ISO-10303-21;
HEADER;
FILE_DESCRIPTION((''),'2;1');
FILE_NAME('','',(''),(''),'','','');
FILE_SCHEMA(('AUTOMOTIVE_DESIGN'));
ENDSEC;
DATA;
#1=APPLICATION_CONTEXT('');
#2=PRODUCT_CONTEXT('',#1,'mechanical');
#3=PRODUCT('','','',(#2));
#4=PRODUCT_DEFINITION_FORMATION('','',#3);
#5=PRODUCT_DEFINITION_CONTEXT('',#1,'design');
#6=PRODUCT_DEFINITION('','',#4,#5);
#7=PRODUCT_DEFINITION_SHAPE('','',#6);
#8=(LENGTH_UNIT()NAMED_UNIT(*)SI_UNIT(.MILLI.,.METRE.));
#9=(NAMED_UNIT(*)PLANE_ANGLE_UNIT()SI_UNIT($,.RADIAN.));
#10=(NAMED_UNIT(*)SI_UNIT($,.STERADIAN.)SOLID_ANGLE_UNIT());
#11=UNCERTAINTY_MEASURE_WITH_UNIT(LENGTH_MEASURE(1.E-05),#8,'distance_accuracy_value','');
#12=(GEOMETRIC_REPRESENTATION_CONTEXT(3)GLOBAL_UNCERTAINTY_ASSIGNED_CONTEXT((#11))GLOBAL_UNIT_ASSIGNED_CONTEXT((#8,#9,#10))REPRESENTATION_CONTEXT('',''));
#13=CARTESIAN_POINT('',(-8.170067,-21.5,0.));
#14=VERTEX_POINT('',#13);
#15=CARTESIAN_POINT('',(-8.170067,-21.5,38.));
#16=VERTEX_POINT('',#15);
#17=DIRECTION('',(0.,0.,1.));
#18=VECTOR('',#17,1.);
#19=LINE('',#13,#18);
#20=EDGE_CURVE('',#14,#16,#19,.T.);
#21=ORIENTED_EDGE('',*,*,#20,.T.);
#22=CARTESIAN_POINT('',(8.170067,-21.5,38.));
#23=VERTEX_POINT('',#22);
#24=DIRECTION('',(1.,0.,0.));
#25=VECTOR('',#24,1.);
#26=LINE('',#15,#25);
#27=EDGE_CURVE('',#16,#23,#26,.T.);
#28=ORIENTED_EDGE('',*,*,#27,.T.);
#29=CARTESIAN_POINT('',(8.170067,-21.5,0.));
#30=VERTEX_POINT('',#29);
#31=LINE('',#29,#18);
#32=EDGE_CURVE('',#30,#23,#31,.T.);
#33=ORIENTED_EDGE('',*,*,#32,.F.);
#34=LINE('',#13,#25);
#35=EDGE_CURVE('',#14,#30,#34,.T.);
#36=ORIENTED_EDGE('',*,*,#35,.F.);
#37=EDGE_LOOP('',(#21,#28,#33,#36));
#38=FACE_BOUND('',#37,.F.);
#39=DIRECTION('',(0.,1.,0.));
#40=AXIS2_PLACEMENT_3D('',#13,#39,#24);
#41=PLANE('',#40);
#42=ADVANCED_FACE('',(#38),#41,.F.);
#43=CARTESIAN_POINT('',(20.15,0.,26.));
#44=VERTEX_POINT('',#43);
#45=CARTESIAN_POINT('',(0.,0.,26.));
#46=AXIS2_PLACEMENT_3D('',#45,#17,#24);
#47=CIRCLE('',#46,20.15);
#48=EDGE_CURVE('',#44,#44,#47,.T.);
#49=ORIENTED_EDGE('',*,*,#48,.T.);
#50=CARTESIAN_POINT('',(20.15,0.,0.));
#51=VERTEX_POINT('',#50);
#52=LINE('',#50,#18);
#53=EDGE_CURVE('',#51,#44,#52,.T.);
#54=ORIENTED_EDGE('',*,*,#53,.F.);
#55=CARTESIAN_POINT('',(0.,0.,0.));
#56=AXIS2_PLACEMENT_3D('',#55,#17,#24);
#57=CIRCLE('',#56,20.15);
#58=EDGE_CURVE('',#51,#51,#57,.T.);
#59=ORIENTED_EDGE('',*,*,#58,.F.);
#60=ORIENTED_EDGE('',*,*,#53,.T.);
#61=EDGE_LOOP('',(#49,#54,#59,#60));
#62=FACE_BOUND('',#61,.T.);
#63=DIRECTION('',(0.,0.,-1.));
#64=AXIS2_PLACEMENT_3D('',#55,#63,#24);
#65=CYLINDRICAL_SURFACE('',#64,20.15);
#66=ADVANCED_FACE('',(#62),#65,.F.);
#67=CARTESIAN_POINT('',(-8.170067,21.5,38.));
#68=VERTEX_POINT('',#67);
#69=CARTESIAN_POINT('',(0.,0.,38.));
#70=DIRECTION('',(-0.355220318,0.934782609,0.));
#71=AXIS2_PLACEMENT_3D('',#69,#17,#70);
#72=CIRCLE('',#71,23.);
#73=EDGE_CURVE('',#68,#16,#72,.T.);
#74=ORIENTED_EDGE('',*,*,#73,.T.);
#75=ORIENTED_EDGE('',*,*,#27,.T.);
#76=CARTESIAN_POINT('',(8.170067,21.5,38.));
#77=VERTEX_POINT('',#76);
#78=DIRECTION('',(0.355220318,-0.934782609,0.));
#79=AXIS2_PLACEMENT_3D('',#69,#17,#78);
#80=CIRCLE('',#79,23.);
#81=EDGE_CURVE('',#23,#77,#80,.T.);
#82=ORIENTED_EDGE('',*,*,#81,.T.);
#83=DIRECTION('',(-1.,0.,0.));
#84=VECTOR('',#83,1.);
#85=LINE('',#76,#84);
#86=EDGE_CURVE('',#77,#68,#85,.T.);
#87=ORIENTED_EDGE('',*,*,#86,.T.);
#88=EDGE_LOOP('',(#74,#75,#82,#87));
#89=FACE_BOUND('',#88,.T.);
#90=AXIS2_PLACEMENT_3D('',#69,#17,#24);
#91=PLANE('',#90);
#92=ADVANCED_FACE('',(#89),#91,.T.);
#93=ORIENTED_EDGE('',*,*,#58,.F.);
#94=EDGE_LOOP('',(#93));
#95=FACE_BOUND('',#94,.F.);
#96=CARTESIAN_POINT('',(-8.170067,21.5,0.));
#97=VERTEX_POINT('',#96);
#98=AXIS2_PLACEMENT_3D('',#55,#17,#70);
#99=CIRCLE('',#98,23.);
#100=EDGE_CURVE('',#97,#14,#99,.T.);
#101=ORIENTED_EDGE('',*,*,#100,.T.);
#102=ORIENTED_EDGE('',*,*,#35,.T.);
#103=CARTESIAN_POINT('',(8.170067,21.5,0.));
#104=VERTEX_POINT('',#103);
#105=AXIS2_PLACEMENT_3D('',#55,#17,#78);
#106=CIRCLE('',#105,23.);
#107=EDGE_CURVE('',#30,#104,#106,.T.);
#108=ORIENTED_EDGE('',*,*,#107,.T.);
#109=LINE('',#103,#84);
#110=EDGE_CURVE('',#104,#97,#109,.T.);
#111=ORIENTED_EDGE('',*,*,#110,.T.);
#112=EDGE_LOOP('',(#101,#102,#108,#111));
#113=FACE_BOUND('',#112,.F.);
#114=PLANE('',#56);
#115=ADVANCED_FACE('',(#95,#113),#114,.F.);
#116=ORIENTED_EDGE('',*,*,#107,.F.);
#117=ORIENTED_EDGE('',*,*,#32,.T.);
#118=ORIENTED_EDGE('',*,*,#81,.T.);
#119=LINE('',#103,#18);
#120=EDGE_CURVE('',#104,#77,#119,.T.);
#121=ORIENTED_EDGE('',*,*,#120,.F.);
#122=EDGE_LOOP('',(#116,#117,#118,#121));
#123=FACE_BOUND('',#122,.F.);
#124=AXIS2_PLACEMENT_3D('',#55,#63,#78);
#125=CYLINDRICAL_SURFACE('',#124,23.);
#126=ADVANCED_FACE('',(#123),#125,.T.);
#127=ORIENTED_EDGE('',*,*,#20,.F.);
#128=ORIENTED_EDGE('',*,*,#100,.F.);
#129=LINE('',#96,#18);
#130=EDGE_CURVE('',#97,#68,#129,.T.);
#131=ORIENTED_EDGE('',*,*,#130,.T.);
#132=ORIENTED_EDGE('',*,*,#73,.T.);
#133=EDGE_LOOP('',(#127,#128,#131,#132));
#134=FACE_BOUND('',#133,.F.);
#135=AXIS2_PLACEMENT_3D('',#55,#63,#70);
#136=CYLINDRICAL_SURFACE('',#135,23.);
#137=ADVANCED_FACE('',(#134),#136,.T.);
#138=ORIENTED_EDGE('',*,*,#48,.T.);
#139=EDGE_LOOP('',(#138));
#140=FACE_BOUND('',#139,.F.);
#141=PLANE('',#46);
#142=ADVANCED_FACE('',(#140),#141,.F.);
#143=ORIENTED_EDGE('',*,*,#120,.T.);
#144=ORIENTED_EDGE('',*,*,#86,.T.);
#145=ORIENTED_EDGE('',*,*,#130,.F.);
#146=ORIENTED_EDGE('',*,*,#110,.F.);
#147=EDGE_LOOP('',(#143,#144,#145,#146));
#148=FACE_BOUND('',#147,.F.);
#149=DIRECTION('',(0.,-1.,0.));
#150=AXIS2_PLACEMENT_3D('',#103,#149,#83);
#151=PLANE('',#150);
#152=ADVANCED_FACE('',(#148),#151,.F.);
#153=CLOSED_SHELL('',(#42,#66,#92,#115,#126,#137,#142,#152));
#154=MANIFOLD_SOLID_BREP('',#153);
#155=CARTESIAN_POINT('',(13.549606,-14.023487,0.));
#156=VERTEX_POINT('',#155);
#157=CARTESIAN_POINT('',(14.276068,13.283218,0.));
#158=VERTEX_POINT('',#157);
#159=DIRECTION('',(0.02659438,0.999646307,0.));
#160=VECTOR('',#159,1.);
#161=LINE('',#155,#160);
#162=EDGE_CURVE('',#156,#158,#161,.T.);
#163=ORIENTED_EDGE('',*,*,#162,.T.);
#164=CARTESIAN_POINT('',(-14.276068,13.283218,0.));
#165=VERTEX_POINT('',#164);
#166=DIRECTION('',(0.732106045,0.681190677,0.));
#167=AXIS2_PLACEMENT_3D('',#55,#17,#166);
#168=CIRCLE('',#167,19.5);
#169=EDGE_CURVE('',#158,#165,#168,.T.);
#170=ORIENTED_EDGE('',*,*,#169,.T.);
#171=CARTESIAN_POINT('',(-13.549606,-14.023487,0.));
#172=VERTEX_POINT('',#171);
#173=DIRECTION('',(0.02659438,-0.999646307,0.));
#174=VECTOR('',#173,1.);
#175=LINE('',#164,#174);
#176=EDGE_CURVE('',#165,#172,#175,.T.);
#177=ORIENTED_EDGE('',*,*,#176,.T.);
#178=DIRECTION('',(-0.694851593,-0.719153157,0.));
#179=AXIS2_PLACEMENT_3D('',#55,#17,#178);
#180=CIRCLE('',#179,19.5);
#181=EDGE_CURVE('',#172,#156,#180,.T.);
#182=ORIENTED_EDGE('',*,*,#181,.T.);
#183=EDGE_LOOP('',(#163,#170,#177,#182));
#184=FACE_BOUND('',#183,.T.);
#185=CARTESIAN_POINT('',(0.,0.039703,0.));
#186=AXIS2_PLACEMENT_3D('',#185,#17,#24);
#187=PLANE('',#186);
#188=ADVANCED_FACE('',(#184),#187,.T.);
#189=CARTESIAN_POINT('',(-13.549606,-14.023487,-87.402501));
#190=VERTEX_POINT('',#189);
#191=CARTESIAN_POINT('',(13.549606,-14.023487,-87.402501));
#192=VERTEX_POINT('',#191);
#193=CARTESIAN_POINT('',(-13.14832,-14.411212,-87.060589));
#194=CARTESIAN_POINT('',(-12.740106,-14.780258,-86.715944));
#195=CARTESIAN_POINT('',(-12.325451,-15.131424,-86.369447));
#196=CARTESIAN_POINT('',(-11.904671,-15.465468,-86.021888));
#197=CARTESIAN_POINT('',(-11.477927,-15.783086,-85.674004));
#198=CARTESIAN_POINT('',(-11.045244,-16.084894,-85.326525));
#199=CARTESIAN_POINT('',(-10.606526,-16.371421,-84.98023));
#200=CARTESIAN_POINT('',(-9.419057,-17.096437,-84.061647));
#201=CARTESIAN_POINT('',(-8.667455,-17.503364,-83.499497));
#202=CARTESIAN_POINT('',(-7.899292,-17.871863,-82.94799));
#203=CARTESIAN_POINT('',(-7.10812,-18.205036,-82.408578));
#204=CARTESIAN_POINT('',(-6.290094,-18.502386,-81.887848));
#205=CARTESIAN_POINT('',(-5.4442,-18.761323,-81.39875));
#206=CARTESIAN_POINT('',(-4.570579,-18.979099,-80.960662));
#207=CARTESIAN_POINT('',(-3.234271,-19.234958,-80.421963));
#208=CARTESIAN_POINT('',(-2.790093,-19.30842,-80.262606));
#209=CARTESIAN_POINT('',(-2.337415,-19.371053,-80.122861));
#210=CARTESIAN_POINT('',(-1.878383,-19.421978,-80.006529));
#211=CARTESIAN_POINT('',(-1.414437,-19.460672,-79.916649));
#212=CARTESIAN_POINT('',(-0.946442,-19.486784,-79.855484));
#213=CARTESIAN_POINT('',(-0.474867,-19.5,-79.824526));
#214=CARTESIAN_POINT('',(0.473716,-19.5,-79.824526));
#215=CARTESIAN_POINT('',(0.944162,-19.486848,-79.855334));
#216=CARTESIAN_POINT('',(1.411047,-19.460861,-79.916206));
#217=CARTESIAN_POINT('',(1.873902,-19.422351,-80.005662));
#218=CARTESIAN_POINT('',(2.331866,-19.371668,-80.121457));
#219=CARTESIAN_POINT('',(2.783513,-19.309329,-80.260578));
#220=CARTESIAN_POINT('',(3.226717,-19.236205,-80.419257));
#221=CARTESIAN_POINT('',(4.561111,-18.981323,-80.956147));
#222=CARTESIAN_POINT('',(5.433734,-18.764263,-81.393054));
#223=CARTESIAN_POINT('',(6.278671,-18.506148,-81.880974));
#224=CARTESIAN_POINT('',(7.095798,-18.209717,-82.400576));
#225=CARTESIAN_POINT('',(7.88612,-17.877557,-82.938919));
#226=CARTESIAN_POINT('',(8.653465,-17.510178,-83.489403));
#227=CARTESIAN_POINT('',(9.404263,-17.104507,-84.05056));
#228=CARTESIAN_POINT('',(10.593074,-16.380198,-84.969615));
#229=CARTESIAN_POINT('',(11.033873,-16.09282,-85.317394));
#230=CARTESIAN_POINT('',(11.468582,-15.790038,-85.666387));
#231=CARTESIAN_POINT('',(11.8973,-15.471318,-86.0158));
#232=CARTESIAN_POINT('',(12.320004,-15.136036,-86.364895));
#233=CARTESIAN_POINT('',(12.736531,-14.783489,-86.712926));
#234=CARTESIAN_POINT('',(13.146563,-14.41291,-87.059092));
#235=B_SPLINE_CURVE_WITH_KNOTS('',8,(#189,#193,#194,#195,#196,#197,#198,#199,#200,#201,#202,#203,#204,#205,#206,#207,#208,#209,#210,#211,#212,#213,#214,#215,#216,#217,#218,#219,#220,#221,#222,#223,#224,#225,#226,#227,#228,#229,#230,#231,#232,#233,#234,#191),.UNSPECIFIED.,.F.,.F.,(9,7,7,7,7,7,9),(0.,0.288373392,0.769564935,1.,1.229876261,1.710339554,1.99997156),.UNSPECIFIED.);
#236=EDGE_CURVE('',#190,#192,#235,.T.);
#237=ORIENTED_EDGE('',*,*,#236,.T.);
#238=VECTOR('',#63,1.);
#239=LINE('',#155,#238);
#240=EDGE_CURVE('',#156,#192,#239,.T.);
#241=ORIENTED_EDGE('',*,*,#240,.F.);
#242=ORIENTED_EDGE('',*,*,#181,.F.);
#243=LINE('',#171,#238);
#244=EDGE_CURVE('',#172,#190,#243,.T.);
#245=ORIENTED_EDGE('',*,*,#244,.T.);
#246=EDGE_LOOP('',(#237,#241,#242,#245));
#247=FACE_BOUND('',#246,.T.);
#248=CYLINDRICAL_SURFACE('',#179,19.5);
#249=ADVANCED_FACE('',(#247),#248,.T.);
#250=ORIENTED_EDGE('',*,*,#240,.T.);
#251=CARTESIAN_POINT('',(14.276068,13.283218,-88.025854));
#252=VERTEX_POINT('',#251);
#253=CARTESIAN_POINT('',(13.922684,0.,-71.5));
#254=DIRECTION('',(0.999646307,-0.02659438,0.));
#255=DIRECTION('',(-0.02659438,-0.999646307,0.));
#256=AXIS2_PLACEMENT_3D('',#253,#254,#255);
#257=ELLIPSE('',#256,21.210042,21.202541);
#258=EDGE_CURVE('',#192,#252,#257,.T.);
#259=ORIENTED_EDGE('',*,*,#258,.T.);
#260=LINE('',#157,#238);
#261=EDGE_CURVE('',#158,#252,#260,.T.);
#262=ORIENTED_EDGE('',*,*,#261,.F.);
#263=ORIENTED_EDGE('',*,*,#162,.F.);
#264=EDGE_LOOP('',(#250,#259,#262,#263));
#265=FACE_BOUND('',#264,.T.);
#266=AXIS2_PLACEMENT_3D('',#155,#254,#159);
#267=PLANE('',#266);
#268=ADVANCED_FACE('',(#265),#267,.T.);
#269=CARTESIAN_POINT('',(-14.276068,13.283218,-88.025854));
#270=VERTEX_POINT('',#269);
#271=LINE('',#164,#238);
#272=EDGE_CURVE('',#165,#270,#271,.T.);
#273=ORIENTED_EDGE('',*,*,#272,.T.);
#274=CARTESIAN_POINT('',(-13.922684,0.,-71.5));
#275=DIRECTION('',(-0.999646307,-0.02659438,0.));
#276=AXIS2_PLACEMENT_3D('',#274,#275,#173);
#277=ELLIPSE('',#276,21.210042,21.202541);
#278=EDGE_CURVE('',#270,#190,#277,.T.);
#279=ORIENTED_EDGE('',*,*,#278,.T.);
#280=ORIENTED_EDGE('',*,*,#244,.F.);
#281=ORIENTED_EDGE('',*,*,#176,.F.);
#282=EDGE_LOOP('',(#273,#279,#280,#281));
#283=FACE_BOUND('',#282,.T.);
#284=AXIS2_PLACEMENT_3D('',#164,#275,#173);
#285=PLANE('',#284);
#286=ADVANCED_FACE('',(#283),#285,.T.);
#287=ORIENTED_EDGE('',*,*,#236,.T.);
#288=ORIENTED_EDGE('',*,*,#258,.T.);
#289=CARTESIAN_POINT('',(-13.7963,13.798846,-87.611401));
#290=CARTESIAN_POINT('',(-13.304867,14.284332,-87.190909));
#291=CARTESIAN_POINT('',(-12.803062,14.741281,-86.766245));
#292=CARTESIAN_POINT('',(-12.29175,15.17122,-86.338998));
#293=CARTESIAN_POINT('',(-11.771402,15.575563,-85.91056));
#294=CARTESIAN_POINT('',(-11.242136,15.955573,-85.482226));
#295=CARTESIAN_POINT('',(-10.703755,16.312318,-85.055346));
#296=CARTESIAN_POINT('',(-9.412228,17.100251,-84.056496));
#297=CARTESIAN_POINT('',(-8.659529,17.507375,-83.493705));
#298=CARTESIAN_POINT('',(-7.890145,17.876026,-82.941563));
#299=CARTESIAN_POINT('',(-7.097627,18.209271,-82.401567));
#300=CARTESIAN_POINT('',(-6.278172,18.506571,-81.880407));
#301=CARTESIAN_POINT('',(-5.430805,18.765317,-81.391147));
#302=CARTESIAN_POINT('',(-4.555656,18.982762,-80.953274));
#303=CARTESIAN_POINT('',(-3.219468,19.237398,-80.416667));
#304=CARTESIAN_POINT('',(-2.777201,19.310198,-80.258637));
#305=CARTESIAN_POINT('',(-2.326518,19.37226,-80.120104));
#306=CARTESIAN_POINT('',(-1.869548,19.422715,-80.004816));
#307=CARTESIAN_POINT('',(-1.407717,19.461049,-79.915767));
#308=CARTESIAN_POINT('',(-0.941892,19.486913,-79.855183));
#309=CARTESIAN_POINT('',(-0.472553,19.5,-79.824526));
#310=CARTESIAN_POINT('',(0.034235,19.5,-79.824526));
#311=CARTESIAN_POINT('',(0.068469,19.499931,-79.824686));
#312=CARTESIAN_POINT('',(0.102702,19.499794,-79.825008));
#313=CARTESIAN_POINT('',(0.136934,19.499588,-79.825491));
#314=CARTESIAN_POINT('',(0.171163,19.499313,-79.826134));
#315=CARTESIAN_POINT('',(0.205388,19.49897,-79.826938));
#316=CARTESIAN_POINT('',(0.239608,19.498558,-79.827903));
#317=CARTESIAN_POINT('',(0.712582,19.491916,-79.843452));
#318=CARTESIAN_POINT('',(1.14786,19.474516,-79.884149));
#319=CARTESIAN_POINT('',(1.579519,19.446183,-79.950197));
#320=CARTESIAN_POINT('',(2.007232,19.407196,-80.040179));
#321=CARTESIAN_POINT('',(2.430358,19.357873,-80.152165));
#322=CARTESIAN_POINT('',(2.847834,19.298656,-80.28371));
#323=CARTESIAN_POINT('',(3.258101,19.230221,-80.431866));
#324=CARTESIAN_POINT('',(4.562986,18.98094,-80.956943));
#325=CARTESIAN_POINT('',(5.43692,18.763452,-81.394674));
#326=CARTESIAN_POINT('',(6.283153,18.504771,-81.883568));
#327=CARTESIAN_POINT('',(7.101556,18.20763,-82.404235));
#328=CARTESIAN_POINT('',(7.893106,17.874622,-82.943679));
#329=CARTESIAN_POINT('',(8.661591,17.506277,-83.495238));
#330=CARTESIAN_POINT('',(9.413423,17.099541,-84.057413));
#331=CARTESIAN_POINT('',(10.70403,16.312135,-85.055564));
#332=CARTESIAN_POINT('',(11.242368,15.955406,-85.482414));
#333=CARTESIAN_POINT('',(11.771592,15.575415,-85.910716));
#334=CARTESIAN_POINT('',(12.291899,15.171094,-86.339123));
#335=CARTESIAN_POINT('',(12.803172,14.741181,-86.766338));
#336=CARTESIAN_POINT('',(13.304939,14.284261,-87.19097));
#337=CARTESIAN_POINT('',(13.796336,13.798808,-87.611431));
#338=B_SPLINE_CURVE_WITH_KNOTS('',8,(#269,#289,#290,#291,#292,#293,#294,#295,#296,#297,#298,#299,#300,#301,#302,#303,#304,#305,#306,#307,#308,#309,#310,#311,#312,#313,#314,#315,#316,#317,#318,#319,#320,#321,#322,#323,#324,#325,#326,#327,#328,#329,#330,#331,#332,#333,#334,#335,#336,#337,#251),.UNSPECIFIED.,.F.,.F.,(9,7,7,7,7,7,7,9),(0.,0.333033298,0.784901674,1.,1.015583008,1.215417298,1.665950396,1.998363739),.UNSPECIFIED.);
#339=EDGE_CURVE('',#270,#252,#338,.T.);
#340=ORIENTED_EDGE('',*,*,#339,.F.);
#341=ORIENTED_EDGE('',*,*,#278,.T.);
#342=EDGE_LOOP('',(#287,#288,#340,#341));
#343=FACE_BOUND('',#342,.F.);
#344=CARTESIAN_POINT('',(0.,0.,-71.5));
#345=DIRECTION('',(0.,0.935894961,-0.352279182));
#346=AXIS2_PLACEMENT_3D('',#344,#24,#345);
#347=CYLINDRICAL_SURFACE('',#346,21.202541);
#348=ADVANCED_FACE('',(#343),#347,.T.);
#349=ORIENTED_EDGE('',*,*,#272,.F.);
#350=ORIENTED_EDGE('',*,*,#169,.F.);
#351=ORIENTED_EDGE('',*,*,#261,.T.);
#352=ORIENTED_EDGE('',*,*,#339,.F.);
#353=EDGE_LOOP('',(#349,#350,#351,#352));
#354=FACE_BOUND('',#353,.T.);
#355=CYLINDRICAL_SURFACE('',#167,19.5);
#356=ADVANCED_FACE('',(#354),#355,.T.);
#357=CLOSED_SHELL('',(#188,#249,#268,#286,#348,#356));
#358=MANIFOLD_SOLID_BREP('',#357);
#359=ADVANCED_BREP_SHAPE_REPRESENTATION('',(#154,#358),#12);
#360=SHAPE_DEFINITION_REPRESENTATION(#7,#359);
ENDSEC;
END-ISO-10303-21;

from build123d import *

# Parameters (mm, degrees)
F1_DEPTH = 38
F2_R     = 20.15
F3_DEPTH = 26
F5_DEPTH = 93
F7_DEPTH = 23.001
F8_DEPTH = 23.001


with BuildPart() as f1:
    # F0 (on Top) → F1 (new body)
    with BuildSketch(Plane.XY):
        with BuildLine():
            Line((8.1700673192, 21.5), (-8.1700673192, 21.5))
            ThreePointArc((-8.1700673192, 21.5), (-23, 0), (-8.1700673192, -21.5))
            Line((-8.1700673192, -21.5), (8.1700673192, -21.5))
            ThreePointArc((8.1700673192, -21.5), (23, 0), (8.1700673192, 21.5))
        make_face()
    extrude(amount=F1_DEPTH)

    # F2 (on Top) → F3 (cut)
    with BuildSketch(Plane.XY):
        Circle(F2_R)
    extrude(amount=F3_DEPTH, mode=Mode.SUBTRACT)


with BuildPart() as f5:
    # F4 (on Top) → F5 (new body)
    with BuildSketch(Plane.XY):
        with BuildLine():
            Line((-14.2760678833, 13.2832182016), (-13.5496060668, -14.0234865649))
            ThreePointArc((-13.5496060668, -14.0234865649), (0, -19.5), (13.5496060668, -14.0234865649))
            Line((13.5496060668, -14.0234865649), (14.2760678833, 13.2832182016))
            ThreePointArc((14.2760678833, 13.2832182016), (0, 19.5), (-14.2760678833, 13.2832182016))
        make_face()
    extrude(amount=-F5_DEPTH)

    # F6 (on Right) → F7 (cut, through all)
    with BuildSketch(Plane.YZ):
        with BuildLine():
            ThreePointArc((19.8433508687, -78.9692136549), (-2.1788867895, -92.5902863585), (-20.9512559641, -74.7546274516))
            Line((-20.9512559641, -74.7546274516), (-32.2703706109, -102.1996662021))
            Line((-32.2703706109, -102.1996662021), (31.4053460393, -102.1996662021))
            Line((31.4053460393, -102.1996662021), (19.8433508687, -78.9692136549))
        make_face()
    extrude(amount=F7_DEPTH, mode=Mode.SUBTRACT)

    # F8 (cut, through all): a face of the model
    f8_faces = [f5.faces().sort_by_distance(p)[0] for p in [
        (0, 19.0883456394, -86.4122627957),
    ]]
    extrude(f8_faces, amount=-F8_DEPTH, mode=Mode.SUBTRACT)


solid = Compound([f1.part, f5.part])
